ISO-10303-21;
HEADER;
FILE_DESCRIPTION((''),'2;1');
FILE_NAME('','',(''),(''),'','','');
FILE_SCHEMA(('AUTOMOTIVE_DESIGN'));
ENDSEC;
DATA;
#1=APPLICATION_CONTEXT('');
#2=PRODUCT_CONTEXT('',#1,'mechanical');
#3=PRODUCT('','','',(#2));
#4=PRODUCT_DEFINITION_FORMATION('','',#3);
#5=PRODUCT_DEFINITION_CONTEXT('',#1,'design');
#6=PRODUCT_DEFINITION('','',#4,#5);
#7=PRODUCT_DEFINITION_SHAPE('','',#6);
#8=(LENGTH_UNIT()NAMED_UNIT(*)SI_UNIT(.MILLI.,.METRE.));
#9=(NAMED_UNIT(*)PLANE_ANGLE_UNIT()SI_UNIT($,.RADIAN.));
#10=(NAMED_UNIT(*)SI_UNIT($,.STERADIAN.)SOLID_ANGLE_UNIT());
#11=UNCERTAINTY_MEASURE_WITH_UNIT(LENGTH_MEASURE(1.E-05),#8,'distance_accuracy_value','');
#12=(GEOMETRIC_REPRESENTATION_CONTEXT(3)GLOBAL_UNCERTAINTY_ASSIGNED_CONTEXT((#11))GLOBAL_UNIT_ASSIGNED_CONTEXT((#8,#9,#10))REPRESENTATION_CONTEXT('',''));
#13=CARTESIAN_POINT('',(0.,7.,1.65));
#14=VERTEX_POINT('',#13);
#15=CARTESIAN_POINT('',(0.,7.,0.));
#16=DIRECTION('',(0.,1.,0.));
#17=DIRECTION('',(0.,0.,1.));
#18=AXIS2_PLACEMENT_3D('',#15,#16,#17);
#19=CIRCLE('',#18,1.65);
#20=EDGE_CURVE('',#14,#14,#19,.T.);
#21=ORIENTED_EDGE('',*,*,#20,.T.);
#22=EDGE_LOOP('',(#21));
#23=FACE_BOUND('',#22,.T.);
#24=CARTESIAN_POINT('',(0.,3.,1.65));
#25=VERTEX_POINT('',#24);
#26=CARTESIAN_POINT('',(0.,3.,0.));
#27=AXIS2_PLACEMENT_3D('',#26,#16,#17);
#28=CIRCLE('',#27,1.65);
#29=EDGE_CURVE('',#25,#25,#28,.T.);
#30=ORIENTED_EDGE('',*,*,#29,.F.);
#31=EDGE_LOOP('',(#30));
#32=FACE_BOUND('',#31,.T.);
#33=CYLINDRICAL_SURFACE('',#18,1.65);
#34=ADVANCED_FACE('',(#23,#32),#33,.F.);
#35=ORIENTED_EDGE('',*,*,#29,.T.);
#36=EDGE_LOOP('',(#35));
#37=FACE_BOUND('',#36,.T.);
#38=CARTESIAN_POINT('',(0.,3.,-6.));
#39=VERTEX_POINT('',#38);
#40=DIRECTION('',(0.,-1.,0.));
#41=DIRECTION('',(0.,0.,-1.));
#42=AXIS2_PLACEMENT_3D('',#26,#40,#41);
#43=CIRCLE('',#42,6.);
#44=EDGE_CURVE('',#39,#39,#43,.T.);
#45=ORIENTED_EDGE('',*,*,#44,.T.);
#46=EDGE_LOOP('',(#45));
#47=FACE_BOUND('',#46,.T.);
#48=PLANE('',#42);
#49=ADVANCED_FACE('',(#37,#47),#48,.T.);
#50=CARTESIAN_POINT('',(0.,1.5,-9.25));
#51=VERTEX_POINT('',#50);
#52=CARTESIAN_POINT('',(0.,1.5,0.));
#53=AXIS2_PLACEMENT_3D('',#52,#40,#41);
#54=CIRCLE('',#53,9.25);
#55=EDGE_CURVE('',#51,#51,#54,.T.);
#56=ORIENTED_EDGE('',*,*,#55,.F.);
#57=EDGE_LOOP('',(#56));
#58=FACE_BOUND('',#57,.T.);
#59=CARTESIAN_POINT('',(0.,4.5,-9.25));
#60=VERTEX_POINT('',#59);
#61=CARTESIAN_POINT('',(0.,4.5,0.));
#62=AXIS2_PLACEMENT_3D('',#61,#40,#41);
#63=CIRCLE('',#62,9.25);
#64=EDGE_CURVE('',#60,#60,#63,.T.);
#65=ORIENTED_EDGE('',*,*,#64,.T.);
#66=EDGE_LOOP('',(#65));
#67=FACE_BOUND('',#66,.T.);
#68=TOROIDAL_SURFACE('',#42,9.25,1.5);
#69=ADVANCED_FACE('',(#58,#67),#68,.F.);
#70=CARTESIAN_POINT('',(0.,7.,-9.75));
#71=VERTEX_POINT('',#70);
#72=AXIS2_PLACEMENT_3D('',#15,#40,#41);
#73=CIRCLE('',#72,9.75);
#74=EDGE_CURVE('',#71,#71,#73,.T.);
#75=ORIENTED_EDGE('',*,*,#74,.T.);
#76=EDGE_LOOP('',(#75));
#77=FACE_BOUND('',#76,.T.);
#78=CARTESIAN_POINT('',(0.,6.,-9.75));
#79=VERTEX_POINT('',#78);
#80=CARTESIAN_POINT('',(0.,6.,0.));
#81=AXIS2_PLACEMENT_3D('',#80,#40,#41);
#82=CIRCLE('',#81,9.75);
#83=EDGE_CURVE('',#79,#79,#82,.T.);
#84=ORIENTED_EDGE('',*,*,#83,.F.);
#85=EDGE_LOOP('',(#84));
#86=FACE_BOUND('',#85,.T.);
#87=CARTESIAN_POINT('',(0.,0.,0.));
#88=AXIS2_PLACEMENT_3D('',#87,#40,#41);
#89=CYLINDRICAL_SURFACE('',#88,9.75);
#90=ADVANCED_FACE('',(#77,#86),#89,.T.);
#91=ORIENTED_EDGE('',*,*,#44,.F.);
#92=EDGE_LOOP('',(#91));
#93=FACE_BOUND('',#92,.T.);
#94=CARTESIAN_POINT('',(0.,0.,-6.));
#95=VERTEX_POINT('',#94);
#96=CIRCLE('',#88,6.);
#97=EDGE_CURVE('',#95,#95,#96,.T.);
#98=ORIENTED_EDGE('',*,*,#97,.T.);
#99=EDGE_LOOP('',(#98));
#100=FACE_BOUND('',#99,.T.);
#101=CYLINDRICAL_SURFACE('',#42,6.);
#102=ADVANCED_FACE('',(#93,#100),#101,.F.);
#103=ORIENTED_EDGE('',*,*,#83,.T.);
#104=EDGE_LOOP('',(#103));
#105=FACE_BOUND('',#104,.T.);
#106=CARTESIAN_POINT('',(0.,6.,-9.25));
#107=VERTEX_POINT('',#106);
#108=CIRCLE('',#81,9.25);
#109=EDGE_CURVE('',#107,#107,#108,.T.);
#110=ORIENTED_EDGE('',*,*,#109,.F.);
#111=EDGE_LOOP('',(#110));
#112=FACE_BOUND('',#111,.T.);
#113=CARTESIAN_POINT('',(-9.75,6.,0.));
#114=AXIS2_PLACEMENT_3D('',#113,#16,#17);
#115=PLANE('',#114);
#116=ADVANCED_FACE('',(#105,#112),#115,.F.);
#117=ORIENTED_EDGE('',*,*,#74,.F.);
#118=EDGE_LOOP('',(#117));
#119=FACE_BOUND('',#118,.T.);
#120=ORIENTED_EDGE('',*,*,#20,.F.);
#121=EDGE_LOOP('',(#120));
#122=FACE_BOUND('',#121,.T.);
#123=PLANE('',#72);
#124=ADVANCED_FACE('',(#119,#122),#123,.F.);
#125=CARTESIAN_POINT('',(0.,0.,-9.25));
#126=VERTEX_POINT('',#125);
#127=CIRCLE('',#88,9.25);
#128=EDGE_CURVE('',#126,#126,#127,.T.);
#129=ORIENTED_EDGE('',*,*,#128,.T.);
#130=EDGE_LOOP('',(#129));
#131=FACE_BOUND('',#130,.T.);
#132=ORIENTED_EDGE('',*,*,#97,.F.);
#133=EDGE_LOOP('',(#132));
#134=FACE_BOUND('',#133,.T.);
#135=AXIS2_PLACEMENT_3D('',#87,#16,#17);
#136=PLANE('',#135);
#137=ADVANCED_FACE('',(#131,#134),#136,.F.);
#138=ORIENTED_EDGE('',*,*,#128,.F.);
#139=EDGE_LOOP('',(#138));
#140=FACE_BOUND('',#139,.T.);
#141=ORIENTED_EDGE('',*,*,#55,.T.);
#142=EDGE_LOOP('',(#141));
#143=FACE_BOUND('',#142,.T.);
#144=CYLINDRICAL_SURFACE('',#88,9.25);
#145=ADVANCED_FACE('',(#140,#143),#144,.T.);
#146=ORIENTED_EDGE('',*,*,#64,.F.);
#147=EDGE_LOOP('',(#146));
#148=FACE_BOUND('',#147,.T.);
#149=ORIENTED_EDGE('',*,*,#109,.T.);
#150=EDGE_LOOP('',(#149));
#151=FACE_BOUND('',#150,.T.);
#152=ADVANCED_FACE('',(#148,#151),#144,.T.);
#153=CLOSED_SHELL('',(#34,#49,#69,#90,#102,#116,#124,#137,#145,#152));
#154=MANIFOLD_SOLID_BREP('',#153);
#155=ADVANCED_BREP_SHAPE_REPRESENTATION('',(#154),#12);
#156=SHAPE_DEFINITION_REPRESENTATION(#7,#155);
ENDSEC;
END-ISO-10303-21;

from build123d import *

# Parameters (mm, degrees)
SKETCH4_R                 = 6
CUT_EXTRUDE1_DEPTH        = 3
M4X0_7_TAPPED_HOLE1_D     = 3.3
M4X0_7_TAPPED_HOLE1_DEPTH = 4
M4X0_7_TAPPED_HOLE1_TIP   = 0.991420021


with BuildPart() as part:
    # Sketch1 → Revolve1 (revolve)
    with BuildSketch(Plane.XY):
        with BuildLine():
            Line((0, 0), (-9.25, 0))
            Line((-9.25, 0), (-9.25, 1.5))
            ThreePointArc((-9.25, 1.5), (-7.75, 3), (-9.25, 4.5))
            Line((-9.25, 4.5), (-9.25, 6))
            Line((-9.25, 6), (-9.75, 6))
            Line((-9.75, 6), (-9.75, 7))
            Line((-9.75, 7), (0, 7))
            Line((0, 7), (0, 0))
        make_face()
    revolve(axis=Axis((0, 0, 0), (0, 1, 0)))

    # Sketch4 → Cut-Extrude1 (cut)
    with BuildSketch(Plane.XZ):
        Circle(SKETCH4_R)
    extrude(amount=-CUT_EXTRUDE1_DEPTH, mode=Mode.SUBTRACT)

    # M4x0.7 Tapped Hole1
    with Locations(Plane(origin=(0, 7, 0), x_dir=(1, 0, 0), z_dir=(0, 1, 0))):
        with Locations((0, 0)):
            Hole(M4X0_7_TAPPED_HOLE1_D / 2, depth=M4X0_7_TAPPED_HOLE1_DEPTH)
            with Locations((0, 0, -(M4X0_7_TAPPED_HOLE1_DEPTH + M4X0_7_TAPPED_HOLE1_TIP / 2))):  # 118° drill point
                Cone(0, M4X0_7_TAPPED_HOLE1_D / 2, M4X0_7_TAPPED_HOLE1_TIP, mode=Mode.SUBTRACT)


solid = part.part
